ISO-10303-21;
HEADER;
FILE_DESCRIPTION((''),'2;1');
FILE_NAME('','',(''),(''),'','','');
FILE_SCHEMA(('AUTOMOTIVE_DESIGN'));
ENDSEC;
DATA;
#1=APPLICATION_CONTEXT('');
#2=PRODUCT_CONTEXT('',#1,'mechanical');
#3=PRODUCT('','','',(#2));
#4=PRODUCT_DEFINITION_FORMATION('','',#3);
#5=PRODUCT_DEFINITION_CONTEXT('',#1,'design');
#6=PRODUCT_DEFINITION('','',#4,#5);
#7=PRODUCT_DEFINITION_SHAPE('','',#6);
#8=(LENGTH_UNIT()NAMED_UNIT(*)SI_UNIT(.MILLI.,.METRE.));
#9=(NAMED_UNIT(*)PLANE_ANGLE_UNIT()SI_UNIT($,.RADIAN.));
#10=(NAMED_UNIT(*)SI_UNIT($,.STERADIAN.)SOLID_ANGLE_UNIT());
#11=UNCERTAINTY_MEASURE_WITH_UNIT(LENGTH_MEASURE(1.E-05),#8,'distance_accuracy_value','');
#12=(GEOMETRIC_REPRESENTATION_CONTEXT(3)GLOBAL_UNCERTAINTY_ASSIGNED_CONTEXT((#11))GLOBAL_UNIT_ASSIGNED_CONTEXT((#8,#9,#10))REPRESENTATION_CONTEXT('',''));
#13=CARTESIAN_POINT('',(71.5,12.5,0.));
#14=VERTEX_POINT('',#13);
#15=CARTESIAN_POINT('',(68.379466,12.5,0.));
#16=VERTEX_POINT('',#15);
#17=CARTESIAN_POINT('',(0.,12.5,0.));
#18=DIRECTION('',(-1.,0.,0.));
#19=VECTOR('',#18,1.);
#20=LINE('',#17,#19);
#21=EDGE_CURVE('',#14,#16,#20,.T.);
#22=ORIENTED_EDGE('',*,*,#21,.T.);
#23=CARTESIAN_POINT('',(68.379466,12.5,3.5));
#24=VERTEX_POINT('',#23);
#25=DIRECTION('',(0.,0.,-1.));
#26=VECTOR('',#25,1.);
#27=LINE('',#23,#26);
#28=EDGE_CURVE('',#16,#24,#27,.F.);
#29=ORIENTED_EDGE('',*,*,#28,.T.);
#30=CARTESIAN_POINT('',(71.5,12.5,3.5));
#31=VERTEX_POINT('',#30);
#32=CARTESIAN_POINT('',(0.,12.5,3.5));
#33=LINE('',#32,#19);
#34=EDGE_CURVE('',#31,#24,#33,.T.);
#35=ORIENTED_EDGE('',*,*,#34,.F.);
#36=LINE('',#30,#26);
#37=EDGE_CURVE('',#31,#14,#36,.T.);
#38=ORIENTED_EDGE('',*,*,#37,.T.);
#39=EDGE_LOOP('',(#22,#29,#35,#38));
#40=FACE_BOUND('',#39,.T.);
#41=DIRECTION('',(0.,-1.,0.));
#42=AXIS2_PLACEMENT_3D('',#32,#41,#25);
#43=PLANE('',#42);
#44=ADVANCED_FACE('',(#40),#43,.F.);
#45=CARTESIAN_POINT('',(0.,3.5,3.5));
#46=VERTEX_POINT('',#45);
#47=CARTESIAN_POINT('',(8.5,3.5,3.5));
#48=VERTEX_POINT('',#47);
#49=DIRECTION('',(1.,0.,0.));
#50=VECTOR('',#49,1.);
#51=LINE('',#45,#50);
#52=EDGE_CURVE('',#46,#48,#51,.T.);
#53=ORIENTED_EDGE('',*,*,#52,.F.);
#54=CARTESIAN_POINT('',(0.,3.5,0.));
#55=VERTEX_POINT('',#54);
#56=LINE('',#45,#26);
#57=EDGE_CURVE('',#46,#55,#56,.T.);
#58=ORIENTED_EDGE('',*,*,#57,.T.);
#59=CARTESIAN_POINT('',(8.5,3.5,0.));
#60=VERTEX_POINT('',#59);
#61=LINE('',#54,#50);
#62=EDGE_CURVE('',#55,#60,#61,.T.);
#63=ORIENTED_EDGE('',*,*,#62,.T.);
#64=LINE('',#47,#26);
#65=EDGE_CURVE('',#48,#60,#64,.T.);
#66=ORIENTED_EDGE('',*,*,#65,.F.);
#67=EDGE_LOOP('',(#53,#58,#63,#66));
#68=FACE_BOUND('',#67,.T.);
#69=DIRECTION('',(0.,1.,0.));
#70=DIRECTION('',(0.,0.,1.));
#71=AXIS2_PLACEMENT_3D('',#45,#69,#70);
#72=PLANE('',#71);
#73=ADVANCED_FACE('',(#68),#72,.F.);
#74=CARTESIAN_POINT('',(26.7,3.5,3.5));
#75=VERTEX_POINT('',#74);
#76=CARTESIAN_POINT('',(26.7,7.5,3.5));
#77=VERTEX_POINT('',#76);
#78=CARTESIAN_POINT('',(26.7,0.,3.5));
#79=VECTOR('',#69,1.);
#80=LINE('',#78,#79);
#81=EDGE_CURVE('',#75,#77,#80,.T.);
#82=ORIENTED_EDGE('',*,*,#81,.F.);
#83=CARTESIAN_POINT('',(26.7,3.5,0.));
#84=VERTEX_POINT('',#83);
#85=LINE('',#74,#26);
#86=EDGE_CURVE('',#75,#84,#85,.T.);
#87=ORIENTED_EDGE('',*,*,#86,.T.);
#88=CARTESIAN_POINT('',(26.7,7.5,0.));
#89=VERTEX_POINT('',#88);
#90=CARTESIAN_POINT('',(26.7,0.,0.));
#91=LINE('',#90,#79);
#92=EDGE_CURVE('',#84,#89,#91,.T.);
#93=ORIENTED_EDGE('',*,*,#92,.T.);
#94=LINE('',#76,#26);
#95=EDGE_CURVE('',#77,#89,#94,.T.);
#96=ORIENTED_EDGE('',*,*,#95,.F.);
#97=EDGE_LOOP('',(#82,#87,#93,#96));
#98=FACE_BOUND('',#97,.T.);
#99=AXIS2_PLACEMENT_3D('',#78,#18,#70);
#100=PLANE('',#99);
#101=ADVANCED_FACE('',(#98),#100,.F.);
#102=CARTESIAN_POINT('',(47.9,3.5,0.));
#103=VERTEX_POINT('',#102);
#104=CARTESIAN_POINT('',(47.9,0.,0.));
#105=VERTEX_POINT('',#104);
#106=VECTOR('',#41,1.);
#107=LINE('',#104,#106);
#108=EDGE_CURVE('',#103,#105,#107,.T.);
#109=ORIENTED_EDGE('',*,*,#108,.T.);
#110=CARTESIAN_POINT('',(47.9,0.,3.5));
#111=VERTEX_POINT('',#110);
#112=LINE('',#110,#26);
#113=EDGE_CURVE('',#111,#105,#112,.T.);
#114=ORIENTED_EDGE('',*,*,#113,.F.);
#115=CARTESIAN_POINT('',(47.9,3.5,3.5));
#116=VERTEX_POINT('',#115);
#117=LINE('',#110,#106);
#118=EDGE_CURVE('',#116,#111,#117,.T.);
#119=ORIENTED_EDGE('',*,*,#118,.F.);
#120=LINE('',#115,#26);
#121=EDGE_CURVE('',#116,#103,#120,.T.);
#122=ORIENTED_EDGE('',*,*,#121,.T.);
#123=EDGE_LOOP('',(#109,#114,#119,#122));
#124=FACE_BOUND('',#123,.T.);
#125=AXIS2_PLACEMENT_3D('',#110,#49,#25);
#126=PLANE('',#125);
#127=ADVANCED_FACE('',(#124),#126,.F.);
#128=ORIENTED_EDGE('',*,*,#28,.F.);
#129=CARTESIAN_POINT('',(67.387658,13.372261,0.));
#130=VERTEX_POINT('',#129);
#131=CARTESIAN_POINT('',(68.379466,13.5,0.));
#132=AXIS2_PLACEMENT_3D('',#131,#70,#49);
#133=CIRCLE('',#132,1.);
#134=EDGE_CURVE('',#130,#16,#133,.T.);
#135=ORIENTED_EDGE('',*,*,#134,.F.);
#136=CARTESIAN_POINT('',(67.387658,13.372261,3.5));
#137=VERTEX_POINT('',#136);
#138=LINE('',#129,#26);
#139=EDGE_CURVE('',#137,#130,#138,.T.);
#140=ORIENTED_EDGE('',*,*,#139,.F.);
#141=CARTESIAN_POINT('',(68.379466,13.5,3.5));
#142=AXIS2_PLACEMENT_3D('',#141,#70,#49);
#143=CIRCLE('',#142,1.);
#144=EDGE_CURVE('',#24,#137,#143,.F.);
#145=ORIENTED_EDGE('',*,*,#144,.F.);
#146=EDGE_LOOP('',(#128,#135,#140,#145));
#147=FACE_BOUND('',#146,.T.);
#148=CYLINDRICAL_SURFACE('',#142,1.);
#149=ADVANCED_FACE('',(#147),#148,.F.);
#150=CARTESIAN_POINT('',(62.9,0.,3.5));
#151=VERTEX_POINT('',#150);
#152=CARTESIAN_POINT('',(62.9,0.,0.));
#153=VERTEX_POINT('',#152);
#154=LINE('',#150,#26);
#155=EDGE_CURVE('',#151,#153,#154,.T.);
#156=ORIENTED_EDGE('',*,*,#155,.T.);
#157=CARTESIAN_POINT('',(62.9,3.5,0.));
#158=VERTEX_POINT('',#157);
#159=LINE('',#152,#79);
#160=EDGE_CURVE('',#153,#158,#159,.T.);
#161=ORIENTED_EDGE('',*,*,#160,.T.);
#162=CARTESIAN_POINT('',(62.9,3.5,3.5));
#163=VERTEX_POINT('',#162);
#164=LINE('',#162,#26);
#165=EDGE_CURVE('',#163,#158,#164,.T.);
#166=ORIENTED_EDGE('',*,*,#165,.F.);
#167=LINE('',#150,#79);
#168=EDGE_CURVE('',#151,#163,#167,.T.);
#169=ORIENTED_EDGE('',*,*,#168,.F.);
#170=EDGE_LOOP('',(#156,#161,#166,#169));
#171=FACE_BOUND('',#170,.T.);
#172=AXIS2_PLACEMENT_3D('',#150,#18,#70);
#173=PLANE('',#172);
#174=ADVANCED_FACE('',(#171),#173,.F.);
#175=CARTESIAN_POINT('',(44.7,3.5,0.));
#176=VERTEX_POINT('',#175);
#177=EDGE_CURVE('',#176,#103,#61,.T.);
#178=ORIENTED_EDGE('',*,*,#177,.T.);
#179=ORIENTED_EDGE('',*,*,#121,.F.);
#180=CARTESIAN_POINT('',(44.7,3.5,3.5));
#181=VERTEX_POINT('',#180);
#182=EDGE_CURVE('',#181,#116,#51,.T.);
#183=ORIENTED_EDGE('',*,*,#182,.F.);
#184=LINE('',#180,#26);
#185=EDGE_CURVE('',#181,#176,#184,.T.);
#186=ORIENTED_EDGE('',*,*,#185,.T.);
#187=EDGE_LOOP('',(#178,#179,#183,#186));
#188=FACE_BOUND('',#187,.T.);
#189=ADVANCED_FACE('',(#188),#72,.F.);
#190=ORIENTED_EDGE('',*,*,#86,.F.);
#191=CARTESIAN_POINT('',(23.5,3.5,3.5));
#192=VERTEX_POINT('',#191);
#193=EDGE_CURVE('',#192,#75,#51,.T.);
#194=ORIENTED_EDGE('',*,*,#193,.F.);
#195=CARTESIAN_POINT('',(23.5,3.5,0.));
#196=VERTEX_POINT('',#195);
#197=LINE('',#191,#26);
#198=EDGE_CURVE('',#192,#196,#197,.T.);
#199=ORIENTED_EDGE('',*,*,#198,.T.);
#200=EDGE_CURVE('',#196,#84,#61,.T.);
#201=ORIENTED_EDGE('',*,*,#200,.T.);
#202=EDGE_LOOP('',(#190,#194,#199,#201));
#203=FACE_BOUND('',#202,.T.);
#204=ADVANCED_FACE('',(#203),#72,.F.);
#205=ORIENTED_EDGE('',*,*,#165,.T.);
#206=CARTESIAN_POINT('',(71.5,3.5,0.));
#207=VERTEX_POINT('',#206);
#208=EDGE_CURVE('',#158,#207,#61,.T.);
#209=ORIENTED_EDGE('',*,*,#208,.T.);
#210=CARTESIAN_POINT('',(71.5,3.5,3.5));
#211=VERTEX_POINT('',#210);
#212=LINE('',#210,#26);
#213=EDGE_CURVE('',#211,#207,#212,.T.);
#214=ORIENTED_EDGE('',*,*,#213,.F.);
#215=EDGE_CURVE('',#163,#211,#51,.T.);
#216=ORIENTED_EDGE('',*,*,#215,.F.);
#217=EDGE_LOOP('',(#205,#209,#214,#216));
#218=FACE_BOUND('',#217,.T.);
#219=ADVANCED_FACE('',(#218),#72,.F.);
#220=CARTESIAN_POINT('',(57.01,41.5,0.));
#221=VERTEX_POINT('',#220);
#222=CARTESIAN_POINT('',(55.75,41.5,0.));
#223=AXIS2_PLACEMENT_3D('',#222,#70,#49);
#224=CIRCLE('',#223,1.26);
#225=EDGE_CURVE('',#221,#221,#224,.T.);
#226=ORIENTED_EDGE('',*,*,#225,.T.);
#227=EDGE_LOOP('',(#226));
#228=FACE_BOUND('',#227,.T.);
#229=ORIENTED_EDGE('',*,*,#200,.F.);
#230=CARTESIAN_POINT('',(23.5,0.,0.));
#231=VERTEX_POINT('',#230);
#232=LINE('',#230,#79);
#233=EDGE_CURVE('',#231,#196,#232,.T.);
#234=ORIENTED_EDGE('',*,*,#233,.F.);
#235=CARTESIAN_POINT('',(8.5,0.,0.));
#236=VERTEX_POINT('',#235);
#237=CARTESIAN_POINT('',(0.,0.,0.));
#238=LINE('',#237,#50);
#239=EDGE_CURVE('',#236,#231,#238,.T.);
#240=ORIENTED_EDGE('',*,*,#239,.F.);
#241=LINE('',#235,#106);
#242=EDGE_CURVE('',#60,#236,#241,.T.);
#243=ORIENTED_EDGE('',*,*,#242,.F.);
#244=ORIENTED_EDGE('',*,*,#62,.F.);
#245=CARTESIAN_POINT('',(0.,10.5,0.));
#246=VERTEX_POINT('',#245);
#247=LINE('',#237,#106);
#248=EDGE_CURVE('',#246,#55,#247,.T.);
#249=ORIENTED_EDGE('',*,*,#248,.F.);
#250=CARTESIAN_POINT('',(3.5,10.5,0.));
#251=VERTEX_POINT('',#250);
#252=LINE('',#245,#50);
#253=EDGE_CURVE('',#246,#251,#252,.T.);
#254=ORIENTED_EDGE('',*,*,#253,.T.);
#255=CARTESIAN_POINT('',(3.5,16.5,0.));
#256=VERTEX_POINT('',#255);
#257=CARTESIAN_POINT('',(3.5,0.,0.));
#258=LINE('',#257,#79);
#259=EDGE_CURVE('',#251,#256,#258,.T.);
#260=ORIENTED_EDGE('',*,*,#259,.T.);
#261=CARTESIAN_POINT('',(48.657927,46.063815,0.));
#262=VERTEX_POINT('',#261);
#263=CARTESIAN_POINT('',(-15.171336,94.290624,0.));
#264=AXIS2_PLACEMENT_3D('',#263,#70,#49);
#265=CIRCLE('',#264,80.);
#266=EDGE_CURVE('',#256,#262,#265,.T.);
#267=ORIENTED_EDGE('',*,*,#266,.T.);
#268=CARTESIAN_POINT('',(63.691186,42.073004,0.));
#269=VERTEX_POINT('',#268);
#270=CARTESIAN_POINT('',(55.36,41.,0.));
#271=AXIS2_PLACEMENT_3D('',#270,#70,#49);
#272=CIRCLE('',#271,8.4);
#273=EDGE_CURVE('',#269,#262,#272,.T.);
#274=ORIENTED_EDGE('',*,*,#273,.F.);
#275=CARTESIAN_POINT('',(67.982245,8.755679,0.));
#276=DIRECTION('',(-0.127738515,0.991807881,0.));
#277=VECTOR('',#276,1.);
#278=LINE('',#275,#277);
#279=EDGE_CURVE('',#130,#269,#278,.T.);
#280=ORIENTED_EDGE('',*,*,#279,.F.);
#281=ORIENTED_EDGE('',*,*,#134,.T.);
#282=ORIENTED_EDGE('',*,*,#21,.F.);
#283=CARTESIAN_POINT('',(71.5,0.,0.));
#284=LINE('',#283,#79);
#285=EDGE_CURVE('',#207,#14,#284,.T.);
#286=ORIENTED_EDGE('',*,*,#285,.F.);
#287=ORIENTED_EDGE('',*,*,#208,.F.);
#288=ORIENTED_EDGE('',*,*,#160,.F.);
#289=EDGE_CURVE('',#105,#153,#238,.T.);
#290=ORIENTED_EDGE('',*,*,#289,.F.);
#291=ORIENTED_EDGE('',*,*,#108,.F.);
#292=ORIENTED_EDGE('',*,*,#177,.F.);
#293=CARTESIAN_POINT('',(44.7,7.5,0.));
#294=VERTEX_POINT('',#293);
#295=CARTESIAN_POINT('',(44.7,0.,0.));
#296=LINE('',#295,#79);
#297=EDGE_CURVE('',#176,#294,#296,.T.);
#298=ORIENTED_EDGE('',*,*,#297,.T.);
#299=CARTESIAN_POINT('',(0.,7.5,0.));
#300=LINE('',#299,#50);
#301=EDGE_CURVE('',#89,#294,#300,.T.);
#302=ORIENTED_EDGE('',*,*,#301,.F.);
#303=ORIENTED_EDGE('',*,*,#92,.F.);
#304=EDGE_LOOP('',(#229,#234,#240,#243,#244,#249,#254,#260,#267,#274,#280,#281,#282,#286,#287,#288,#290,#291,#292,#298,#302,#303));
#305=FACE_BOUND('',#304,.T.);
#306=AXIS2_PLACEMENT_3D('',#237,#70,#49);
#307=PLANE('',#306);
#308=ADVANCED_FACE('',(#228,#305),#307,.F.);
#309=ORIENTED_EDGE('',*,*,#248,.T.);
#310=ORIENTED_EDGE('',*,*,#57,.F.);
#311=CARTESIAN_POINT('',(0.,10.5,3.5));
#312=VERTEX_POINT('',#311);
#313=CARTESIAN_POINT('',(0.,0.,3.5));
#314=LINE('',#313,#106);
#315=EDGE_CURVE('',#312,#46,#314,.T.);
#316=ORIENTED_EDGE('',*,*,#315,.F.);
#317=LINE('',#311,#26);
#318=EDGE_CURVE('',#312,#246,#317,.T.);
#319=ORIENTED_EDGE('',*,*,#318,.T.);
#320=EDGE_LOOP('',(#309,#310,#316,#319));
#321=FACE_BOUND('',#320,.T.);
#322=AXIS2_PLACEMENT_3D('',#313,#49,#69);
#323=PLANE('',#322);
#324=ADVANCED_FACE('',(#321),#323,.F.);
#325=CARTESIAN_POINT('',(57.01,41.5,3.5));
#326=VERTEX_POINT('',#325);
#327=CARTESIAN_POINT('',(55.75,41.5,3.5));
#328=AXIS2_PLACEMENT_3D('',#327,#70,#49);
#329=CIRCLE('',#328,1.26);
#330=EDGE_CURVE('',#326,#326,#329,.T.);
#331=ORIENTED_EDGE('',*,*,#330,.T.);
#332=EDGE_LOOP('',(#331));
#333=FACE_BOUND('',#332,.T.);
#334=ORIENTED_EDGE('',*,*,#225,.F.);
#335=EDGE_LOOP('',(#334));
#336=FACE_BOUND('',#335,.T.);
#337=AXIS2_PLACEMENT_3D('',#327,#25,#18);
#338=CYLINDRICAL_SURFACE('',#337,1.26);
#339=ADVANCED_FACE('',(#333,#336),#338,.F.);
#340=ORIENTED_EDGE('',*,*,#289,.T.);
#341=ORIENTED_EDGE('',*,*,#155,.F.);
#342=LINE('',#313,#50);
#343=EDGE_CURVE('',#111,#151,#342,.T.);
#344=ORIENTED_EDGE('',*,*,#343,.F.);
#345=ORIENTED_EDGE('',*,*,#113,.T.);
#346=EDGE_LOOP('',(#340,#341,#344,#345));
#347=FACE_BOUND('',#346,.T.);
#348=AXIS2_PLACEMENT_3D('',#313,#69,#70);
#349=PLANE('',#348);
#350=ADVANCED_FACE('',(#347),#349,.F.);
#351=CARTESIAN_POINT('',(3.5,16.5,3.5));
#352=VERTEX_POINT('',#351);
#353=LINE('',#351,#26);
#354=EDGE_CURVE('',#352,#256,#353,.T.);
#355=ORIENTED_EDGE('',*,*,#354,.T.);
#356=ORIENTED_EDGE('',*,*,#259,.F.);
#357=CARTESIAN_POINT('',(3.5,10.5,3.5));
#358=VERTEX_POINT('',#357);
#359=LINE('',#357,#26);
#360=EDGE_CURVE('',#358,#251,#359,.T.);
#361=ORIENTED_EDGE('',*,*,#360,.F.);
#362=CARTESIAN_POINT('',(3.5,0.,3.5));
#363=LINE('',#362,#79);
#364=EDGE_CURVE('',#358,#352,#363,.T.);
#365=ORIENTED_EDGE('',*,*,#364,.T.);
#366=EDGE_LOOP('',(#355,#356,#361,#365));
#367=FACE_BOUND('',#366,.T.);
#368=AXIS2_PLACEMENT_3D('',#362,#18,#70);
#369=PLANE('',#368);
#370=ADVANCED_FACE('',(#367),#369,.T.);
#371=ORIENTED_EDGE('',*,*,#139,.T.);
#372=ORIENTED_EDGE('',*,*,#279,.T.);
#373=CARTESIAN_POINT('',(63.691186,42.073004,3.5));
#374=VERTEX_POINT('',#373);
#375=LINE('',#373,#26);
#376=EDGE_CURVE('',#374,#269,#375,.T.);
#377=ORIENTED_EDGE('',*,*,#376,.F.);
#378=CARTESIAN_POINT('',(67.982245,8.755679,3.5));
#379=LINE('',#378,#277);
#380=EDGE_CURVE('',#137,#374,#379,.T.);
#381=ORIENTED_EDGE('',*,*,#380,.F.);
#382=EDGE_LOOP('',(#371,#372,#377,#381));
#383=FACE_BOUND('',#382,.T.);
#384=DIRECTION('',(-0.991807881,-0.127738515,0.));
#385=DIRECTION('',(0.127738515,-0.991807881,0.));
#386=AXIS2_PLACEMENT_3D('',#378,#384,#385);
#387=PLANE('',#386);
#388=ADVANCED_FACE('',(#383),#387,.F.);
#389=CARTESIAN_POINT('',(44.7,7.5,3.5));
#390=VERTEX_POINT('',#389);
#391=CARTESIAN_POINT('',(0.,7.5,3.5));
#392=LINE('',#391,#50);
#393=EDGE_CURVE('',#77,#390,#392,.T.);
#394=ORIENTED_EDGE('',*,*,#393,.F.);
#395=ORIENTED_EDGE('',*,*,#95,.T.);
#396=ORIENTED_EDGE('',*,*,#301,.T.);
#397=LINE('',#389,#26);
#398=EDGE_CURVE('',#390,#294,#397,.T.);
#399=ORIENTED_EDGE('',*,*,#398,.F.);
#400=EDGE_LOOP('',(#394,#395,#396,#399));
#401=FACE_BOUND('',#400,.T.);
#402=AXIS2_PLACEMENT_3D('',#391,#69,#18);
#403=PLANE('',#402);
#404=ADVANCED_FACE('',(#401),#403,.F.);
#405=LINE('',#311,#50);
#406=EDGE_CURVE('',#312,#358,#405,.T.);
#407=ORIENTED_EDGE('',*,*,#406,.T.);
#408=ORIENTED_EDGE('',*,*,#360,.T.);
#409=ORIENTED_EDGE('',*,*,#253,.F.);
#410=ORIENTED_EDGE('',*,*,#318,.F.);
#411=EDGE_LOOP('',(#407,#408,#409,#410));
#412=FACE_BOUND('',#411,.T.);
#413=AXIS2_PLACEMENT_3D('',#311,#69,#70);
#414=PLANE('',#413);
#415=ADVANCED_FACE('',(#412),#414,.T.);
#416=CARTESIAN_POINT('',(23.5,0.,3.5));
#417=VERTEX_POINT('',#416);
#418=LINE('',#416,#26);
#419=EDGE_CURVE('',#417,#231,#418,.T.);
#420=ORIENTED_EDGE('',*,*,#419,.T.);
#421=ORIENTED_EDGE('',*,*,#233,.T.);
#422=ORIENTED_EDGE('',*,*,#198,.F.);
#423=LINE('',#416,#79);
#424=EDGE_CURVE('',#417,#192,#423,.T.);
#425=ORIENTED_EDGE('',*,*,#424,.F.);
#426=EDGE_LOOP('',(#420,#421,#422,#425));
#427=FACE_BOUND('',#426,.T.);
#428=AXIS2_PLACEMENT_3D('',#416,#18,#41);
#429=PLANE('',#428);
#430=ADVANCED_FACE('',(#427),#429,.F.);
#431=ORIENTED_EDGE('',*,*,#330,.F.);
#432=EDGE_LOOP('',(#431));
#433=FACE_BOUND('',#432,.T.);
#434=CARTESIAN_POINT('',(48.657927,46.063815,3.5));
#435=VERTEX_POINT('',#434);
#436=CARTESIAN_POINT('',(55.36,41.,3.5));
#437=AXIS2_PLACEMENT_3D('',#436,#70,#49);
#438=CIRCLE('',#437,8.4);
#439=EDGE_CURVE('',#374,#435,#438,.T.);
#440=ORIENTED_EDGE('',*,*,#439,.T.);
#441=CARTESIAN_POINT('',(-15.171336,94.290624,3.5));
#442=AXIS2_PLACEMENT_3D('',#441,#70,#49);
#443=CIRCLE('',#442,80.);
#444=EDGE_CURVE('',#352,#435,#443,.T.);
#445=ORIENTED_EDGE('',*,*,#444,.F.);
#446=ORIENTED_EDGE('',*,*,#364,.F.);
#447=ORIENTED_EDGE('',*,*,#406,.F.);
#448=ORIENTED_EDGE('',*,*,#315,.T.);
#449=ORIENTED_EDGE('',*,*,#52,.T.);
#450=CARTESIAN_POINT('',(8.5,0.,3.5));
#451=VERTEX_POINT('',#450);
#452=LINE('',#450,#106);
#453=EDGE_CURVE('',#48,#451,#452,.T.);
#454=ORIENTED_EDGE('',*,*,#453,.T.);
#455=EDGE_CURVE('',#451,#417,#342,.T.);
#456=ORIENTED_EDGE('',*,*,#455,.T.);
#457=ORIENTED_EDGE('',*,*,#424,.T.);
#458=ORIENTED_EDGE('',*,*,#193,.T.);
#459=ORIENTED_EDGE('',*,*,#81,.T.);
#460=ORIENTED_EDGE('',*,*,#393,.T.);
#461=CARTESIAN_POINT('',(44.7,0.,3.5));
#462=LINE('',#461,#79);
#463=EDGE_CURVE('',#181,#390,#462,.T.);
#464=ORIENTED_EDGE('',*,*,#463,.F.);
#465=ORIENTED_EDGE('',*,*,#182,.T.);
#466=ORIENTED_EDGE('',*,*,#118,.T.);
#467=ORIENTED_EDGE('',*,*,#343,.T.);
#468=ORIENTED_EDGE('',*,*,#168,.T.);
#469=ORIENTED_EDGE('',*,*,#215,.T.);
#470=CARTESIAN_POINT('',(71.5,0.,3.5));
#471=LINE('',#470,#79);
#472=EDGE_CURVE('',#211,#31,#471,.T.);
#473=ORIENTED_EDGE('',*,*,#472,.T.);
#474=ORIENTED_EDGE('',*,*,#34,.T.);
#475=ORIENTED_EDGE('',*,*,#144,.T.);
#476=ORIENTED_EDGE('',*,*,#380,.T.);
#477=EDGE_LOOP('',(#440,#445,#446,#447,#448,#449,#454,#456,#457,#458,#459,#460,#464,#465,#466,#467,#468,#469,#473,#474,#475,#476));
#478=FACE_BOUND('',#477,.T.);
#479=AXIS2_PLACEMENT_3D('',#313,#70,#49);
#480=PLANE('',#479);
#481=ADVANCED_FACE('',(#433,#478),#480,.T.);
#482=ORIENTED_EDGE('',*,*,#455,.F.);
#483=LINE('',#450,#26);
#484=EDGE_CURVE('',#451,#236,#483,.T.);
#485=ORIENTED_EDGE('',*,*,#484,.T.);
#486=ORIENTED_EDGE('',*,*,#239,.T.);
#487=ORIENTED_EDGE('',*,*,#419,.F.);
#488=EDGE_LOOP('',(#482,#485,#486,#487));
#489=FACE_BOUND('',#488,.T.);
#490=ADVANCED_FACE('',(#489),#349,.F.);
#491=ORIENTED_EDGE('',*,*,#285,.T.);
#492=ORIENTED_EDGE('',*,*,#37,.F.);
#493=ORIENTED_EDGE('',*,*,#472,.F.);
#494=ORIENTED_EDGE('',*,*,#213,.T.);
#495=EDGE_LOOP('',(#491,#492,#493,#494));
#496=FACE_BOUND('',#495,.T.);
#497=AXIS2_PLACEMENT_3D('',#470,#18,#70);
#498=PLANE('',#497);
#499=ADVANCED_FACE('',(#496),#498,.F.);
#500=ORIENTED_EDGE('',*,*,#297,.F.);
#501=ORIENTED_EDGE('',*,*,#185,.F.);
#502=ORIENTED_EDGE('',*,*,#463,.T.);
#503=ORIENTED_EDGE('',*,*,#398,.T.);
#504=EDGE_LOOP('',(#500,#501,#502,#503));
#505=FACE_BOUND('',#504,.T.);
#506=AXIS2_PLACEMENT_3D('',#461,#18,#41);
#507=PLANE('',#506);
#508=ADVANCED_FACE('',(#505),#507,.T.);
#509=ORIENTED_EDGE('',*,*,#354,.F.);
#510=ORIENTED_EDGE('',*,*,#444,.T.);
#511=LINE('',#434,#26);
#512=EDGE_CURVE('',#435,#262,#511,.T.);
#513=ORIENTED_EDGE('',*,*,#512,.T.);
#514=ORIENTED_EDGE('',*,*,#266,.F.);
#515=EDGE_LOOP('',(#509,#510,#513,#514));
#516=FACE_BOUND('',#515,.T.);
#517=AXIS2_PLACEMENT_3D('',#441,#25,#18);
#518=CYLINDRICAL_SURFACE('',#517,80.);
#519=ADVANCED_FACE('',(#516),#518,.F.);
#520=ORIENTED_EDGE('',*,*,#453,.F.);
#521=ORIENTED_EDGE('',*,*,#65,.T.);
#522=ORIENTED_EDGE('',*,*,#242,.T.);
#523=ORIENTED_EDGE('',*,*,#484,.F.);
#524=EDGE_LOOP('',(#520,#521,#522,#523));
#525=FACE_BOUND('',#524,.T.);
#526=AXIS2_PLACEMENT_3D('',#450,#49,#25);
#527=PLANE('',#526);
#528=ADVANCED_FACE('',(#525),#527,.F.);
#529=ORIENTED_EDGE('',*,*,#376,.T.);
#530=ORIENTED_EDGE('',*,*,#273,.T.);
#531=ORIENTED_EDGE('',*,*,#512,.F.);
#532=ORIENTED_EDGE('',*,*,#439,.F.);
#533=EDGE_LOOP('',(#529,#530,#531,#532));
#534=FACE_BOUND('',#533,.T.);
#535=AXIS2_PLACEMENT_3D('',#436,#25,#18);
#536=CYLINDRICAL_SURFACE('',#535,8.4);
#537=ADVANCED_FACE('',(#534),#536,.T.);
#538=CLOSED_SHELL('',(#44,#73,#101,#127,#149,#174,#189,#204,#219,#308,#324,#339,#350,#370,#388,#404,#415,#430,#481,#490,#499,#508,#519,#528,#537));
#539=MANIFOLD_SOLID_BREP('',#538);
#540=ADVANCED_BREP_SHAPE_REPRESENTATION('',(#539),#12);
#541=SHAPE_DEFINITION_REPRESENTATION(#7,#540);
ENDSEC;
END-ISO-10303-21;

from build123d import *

# Parameters (mm, degrees)
SKETCH1_R           = 1.26
BOSS_EXTRUDE1_DEPTH = 3.5
FILLET1_R           = 1


with BuildPart() as part:
    # Sketch1 → Boss-Extrude1 (new body)
    # profile 1 of 2: a face of its own
    with BuildSketch(Plane.XY):
        with BuildLine():
            Line((3.5, 10.5), (0, 10.5))
            Line((0, 10.5), (0, 3.5))
            Line((0, 3.5), (8.5, 3.5))
            Line((8.5, 3.5), (8.5, 0))
            Line((8.5, 0), (23.5, 0))
            Line((23.5, 0), (23.5, 3.5))
            Line((23.5, 3.5), (26.7, 3.5))
            Line((26.7, 3.5), (26.7, 7.5))
            Line((26.7, 7.5), (35.7, 7.5))
            Line((35.7, 7.5), (35.7, 32.54836019))
            ThreePointArc((35.7, 32.54836019), (20.513860835, 22.69057725), (3.5, 16.5))
            Line((3.5, 16.5), (3.5, 10.5))
        make_face()
    # profile 2 of 2: a face of its own
    with BuildSketch(Plane.XY):
        with BuildLine():
            ThreePointArc((48.657927336, 46.063814965), (42.575731037, 38.925687301), (35.7, 32.54836019))
            Line((35.7, 32.54836019), (35.7, 7.5))
            Line((35.7, 7.5), (44.7, 7.5))
            Line((44.7, 7.5), (44.7, 3.5))
            Line((44.7, 3.5), (47.9, 3.5))
            Line((47.9, 3.5), (47.9, 0))
            Line((47.9, 0), (62.9, 0))
            Line((62.9, 0), (62.9, 3.5))
            Line((62.9, 3.5), (71.5, 3.5))
            Line((71.5, 3.5), (71.5, 12.5))
            Line((71.5, 12.5), (67.5, 12.5))
            Line((67.5, 12.5), (63.691186196, 42.073003524))
            ThreePointArc((63.691186196, 42.073003524), (57.515260243, 49.118796295), (48.657927336, 46.063814965))
        make_face()
        with Locations((55.75, 41.5)):
            Circle(SKETCH1_R, mode=Mode.SUBTRACT)
    extrude(amount=BOSS_EXTRUDE1_DEPTH)

    # Fillet1
    fillet1_edges = [part.edges().sort_by_distance(p)[0] for p in [
        (67.5, 12.5, 1.75),
    ]]
    fillet(fillet1_edges, radius=FILLET1_R)


solid = part.part
